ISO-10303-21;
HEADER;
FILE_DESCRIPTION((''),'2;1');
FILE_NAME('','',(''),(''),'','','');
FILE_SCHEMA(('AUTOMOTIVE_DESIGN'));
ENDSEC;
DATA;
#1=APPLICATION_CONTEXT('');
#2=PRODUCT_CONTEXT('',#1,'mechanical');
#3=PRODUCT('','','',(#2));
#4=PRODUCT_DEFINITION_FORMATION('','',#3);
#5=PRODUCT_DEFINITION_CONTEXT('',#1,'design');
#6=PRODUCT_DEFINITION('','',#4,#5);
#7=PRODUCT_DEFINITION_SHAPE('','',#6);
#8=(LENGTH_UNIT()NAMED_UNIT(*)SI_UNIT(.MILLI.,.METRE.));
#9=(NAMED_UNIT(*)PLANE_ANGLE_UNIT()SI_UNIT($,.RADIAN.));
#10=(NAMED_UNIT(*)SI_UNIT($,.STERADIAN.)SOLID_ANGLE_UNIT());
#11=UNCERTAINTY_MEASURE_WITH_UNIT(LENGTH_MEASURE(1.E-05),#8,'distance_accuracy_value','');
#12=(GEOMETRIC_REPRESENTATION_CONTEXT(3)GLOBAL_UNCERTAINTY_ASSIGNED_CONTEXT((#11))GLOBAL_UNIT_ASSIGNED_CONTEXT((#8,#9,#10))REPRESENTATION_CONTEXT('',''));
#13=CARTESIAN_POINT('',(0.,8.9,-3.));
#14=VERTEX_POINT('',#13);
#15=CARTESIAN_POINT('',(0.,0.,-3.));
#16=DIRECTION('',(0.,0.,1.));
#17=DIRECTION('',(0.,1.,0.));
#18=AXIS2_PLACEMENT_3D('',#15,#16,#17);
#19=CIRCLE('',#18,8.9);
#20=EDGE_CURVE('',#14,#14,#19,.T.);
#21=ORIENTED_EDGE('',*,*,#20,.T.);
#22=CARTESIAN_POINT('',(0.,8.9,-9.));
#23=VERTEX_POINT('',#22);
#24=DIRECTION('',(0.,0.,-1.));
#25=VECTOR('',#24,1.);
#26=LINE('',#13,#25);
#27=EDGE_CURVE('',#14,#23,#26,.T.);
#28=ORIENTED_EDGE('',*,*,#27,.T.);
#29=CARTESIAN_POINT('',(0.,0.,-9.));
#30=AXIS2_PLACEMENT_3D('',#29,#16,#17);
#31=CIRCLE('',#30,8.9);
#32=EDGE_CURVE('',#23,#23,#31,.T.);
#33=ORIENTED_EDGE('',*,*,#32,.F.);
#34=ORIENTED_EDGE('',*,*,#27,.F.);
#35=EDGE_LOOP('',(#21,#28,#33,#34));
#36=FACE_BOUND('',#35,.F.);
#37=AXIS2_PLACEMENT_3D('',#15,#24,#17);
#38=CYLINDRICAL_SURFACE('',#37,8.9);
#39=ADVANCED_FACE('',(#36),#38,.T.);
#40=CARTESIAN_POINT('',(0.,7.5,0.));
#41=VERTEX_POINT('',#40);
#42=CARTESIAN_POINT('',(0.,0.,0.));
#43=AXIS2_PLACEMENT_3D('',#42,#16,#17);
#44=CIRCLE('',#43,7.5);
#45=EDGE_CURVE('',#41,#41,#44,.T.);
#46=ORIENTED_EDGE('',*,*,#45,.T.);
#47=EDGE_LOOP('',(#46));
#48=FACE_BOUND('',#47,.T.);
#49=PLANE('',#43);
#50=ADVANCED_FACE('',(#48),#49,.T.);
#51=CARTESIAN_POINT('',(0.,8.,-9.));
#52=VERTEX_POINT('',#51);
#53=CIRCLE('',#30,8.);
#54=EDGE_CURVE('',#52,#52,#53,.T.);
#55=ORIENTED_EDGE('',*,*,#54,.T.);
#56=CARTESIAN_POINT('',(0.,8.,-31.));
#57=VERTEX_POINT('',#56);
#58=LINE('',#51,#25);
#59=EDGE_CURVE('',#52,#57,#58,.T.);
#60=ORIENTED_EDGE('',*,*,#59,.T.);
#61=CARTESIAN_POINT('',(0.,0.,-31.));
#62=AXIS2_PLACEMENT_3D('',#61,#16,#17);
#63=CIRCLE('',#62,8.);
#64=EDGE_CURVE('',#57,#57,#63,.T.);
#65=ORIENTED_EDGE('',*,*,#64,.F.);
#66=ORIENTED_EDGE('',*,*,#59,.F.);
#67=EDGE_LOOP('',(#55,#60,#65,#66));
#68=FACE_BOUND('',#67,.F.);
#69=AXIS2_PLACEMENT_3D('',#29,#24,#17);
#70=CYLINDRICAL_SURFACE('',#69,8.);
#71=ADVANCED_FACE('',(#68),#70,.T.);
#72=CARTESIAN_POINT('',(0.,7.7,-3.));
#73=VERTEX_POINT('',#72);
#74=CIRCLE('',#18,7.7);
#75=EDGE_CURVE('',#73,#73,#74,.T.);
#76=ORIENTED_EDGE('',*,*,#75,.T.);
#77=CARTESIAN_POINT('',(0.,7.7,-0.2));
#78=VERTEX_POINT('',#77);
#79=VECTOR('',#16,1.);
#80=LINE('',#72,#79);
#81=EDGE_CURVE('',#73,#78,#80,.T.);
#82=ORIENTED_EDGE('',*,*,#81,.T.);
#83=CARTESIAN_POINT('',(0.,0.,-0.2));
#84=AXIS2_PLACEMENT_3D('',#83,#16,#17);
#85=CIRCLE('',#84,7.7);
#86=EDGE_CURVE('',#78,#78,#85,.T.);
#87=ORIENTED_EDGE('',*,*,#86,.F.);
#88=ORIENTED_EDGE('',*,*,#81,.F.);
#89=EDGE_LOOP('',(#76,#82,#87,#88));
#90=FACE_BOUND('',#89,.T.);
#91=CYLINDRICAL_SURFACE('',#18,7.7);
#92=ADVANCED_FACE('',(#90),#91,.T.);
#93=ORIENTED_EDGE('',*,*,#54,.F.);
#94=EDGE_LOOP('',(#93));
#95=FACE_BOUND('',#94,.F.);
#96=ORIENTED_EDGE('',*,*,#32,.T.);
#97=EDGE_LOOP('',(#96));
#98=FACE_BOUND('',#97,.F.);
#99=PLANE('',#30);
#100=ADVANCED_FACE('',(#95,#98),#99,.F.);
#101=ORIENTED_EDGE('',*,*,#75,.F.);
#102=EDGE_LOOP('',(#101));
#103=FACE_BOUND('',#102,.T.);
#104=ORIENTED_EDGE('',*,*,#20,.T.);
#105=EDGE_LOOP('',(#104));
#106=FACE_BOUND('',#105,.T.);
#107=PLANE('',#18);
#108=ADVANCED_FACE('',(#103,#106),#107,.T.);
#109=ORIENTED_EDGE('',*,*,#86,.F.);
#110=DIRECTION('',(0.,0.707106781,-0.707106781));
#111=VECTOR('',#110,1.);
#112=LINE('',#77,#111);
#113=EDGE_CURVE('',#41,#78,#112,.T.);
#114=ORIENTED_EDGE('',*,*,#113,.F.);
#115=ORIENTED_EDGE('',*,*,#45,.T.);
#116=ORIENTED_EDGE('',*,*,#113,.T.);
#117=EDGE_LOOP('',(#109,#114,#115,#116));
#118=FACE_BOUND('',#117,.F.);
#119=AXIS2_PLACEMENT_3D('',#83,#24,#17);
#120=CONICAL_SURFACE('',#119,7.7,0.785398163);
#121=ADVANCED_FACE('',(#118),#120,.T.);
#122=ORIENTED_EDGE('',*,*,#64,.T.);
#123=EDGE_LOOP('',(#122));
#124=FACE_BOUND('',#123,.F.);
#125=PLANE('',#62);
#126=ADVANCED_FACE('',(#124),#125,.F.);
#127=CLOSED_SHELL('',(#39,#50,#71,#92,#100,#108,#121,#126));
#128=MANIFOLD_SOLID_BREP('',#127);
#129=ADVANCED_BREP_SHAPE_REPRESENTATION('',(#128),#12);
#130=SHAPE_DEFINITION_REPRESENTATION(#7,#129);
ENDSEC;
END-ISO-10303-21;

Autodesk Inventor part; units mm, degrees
ref_plane "YZ Plane" through (0, 0, 0) normal (1, 0, 0) x (0, 1, 0)
ref_plane "XZ Plane" through (0, 0, 0) normal (0, 1, 0) x (-1, 0, 0)
ref_plane "XY Plane" through (0, 0, 0) normal (0, 0, 1) x (1, 0, 0)
sketch "スケッチ1" plane through (0, 0, 0) normal (1, 0, 0) x (0, 1, 0)
  line L0 (8.9, -3) -> (8.9, -9)
  line L1 (8.9, -9) -> (8, -9)
  line L2 (8, -9) -> (8, -31)
  line L3 (8, -31) -> (0, -31)
  line L4 (0, -31) -> (0, 0)
  line L5 (8.9, -3) -> (7.7, -3)
  line L6 (7.7, -3) -> (7.7, 0)
  line L7 (7.7, 0) -> (0, 0)
  dimension "d0" = 8.9
  dimension "d1" = 3
  dimension "d2" = 9
  dimension "d3" = 31
  dimension "d4" = 7.7
  dimension "d5" = 8
revolve "回転1" add sketch "スケッチ1" angle 360 about axis through (0, 0, -31) along (0, 0, 1)
chamfer "面取り1" distance 0.2 angle 45 1 edges at (0, -7.7, 0)
properties part number "AP6MS54G" material "ABS プラスチック"
